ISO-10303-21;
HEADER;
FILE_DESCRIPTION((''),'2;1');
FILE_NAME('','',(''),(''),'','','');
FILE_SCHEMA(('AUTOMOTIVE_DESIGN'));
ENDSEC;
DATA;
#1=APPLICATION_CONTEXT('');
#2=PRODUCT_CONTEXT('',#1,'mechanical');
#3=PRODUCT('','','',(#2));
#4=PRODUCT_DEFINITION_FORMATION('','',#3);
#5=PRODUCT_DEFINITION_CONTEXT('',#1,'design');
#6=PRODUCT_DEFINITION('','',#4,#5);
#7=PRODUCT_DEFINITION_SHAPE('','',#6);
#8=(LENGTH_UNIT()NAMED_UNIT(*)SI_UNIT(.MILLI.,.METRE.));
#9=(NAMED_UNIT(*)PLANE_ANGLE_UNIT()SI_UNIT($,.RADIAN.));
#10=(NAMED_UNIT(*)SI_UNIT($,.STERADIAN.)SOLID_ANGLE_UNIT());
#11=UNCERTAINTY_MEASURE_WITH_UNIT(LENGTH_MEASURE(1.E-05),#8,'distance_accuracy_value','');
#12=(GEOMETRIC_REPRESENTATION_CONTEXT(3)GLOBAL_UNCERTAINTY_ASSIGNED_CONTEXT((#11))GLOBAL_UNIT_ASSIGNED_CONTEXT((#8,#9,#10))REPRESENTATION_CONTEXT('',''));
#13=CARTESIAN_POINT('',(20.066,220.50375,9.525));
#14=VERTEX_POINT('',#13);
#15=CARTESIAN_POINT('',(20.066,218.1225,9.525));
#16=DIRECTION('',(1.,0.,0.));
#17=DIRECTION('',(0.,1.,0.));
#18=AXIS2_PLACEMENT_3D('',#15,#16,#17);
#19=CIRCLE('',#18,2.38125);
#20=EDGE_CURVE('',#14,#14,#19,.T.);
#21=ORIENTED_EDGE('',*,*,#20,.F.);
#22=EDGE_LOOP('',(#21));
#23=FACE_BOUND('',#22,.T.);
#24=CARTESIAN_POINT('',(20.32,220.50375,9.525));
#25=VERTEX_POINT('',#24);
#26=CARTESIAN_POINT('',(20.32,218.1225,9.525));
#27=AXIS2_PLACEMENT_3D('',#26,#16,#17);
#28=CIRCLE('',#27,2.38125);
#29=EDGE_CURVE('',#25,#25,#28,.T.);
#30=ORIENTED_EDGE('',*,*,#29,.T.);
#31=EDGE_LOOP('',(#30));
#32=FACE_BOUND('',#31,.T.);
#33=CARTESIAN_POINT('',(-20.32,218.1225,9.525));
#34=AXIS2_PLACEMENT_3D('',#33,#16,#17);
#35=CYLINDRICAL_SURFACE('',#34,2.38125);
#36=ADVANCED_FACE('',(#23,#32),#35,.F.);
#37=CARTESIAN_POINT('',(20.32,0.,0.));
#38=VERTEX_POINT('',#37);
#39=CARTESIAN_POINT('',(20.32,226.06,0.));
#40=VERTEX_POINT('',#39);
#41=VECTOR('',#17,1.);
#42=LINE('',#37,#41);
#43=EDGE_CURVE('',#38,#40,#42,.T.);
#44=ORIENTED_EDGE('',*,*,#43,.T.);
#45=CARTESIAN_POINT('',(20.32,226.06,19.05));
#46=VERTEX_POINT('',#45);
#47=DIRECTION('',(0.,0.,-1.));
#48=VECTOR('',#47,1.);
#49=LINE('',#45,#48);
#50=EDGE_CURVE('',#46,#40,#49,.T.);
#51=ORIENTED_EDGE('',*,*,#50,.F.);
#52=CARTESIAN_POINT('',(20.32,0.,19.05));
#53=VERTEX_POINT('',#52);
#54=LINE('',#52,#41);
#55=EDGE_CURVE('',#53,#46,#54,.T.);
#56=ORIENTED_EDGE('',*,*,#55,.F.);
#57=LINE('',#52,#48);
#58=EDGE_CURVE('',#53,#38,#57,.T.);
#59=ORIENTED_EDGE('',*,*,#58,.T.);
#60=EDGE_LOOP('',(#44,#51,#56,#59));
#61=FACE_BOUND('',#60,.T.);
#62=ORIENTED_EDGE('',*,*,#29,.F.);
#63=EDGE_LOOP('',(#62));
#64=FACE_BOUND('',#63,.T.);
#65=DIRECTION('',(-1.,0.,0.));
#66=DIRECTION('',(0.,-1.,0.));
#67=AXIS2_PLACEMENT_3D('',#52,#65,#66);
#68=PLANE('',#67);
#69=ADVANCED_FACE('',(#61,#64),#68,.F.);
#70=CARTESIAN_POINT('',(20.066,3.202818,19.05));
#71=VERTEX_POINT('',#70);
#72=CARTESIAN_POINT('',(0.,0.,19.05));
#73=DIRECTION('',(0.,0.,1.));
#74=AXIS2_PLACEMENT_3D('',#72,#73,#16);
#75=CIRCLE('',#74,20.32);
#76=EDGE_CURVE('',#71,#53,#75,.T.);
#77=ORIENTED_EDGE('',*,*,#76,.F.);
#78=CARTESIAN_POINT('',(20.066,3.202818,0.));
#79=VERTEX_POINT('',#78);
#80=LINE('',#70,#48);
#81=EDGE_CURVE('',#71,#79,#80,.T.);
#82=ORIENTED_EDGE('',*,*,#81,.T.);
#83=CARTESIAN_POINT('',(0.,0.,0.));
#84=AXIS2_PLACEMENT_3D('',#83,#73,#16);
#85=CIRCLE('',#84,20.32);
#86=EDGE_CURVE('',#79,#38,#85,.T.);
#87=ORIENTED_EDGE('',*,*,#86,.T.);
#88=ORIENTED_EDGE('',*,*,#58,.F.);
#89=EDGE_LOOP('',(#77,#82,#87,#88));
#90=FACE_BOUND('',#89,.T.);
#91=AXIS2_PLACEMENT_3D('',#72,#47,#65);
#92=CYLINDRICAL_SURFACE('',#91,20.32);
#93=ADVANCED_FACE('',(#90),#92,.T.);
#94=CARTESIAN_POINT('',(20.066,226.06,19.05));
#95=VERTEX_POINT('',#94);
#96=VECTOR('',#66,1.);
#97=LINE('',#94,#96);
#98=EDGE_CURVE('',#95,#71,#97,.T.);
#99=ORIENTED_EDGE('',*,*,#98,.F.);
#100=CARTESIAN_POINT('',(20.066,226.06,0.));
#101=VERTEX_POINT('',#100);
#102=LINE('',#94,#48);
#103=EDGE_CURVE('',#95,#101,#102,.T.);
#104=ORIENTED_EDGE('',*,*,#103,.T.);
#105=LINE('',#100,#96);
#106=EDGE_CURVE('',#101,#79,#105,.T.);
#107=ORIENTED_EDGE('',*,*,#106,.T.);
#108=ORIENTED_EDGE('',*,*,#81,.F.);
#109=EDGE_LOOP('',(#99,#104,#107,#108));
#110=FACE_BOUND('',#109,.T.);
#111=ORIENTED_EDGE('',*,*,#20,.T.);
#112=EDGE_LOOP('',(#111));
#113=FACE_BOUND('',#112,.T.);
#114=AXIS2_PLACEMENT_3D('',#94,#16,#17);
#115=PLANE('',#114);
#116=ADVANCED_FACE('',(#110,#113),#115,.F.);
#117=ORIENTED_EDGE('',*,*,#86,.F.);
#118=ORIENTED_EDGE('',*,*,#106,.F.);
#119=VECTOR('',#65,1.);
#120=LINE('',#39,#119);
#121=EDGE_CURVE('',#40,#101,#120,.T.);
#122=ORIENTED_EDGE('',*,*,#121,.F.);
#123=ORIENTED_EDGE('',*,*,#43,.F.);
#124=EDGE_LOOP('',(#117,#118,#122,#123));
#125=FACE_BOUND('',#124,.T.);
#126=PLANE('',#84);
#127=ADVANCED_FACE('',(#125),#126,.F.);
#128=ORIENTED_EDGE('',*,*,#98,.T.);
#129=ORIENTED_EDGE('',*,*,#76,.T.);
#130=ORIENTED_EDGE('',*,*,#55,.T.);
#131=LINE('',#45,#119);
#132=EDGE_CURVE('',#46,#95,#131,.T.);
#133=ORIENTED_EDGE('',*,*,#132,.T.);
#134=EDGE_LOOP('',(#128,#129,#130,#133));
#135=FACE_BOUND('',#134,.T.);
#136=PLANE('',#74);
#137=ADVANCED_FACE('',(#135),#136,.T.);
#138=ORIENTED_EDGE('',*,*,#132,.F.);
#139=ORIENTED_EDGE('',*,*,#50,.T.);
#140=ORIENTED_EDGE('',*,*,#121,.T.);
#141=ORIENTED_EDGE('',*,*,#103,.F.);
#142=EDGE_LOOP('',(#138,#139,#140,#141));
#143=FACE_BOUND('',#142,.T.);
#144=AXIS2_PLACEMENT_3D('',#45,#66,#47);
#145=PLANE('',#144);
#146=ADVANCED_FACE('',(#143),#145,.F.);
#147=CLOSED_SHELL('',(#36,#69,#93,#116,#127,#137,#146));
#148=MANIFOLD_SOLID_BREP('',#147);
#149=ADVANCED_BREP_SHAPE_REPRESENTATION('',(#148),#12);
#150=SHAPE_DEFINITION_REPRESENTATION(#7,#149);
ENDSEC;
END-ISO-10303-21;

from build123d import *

# Parameters (mm, degrees)
EXTRUDE1_DEPTH     = 19.05
SKETCH2_R          = 2.38125
CUT_EXTRUDE1_DEPTH = 0.254


with BuildPart() as part:
    # Sketch1 → Extrude1 (new body)
    with BuildSketch(Plane.XY):
        with BuildLine():
            Line((20.32, 0), (20.32, 226.06))
            Line((20.32, 226.06), (20.066, 226.06))
            Line((20.066, 226.06), (20.066, 3.202818134))
            ThreePointArc((20.066, 3.202818134), (-20.25640047, -1.606437051), (20.32, 0))
        make_face()
    extrude(amount=EXTRUDE1_DEPTH)

    # Sketch2 → Cut-Extrude1 (cut)
    with BuildSketch(Plane(origin=(20.32, 0, 0), x_dir=(0, 0, -1), z_dir=(1, 0, 0))):
        with Locations(Location((-9.525, 218.1225, 0), (0, 0, 90))):
            Circle(SKETCH2_R)
    extrude(amount=-CUT_EXTRUDE1_DEPTH, mode=Mode.SUBTRACT)


solid = part.part
